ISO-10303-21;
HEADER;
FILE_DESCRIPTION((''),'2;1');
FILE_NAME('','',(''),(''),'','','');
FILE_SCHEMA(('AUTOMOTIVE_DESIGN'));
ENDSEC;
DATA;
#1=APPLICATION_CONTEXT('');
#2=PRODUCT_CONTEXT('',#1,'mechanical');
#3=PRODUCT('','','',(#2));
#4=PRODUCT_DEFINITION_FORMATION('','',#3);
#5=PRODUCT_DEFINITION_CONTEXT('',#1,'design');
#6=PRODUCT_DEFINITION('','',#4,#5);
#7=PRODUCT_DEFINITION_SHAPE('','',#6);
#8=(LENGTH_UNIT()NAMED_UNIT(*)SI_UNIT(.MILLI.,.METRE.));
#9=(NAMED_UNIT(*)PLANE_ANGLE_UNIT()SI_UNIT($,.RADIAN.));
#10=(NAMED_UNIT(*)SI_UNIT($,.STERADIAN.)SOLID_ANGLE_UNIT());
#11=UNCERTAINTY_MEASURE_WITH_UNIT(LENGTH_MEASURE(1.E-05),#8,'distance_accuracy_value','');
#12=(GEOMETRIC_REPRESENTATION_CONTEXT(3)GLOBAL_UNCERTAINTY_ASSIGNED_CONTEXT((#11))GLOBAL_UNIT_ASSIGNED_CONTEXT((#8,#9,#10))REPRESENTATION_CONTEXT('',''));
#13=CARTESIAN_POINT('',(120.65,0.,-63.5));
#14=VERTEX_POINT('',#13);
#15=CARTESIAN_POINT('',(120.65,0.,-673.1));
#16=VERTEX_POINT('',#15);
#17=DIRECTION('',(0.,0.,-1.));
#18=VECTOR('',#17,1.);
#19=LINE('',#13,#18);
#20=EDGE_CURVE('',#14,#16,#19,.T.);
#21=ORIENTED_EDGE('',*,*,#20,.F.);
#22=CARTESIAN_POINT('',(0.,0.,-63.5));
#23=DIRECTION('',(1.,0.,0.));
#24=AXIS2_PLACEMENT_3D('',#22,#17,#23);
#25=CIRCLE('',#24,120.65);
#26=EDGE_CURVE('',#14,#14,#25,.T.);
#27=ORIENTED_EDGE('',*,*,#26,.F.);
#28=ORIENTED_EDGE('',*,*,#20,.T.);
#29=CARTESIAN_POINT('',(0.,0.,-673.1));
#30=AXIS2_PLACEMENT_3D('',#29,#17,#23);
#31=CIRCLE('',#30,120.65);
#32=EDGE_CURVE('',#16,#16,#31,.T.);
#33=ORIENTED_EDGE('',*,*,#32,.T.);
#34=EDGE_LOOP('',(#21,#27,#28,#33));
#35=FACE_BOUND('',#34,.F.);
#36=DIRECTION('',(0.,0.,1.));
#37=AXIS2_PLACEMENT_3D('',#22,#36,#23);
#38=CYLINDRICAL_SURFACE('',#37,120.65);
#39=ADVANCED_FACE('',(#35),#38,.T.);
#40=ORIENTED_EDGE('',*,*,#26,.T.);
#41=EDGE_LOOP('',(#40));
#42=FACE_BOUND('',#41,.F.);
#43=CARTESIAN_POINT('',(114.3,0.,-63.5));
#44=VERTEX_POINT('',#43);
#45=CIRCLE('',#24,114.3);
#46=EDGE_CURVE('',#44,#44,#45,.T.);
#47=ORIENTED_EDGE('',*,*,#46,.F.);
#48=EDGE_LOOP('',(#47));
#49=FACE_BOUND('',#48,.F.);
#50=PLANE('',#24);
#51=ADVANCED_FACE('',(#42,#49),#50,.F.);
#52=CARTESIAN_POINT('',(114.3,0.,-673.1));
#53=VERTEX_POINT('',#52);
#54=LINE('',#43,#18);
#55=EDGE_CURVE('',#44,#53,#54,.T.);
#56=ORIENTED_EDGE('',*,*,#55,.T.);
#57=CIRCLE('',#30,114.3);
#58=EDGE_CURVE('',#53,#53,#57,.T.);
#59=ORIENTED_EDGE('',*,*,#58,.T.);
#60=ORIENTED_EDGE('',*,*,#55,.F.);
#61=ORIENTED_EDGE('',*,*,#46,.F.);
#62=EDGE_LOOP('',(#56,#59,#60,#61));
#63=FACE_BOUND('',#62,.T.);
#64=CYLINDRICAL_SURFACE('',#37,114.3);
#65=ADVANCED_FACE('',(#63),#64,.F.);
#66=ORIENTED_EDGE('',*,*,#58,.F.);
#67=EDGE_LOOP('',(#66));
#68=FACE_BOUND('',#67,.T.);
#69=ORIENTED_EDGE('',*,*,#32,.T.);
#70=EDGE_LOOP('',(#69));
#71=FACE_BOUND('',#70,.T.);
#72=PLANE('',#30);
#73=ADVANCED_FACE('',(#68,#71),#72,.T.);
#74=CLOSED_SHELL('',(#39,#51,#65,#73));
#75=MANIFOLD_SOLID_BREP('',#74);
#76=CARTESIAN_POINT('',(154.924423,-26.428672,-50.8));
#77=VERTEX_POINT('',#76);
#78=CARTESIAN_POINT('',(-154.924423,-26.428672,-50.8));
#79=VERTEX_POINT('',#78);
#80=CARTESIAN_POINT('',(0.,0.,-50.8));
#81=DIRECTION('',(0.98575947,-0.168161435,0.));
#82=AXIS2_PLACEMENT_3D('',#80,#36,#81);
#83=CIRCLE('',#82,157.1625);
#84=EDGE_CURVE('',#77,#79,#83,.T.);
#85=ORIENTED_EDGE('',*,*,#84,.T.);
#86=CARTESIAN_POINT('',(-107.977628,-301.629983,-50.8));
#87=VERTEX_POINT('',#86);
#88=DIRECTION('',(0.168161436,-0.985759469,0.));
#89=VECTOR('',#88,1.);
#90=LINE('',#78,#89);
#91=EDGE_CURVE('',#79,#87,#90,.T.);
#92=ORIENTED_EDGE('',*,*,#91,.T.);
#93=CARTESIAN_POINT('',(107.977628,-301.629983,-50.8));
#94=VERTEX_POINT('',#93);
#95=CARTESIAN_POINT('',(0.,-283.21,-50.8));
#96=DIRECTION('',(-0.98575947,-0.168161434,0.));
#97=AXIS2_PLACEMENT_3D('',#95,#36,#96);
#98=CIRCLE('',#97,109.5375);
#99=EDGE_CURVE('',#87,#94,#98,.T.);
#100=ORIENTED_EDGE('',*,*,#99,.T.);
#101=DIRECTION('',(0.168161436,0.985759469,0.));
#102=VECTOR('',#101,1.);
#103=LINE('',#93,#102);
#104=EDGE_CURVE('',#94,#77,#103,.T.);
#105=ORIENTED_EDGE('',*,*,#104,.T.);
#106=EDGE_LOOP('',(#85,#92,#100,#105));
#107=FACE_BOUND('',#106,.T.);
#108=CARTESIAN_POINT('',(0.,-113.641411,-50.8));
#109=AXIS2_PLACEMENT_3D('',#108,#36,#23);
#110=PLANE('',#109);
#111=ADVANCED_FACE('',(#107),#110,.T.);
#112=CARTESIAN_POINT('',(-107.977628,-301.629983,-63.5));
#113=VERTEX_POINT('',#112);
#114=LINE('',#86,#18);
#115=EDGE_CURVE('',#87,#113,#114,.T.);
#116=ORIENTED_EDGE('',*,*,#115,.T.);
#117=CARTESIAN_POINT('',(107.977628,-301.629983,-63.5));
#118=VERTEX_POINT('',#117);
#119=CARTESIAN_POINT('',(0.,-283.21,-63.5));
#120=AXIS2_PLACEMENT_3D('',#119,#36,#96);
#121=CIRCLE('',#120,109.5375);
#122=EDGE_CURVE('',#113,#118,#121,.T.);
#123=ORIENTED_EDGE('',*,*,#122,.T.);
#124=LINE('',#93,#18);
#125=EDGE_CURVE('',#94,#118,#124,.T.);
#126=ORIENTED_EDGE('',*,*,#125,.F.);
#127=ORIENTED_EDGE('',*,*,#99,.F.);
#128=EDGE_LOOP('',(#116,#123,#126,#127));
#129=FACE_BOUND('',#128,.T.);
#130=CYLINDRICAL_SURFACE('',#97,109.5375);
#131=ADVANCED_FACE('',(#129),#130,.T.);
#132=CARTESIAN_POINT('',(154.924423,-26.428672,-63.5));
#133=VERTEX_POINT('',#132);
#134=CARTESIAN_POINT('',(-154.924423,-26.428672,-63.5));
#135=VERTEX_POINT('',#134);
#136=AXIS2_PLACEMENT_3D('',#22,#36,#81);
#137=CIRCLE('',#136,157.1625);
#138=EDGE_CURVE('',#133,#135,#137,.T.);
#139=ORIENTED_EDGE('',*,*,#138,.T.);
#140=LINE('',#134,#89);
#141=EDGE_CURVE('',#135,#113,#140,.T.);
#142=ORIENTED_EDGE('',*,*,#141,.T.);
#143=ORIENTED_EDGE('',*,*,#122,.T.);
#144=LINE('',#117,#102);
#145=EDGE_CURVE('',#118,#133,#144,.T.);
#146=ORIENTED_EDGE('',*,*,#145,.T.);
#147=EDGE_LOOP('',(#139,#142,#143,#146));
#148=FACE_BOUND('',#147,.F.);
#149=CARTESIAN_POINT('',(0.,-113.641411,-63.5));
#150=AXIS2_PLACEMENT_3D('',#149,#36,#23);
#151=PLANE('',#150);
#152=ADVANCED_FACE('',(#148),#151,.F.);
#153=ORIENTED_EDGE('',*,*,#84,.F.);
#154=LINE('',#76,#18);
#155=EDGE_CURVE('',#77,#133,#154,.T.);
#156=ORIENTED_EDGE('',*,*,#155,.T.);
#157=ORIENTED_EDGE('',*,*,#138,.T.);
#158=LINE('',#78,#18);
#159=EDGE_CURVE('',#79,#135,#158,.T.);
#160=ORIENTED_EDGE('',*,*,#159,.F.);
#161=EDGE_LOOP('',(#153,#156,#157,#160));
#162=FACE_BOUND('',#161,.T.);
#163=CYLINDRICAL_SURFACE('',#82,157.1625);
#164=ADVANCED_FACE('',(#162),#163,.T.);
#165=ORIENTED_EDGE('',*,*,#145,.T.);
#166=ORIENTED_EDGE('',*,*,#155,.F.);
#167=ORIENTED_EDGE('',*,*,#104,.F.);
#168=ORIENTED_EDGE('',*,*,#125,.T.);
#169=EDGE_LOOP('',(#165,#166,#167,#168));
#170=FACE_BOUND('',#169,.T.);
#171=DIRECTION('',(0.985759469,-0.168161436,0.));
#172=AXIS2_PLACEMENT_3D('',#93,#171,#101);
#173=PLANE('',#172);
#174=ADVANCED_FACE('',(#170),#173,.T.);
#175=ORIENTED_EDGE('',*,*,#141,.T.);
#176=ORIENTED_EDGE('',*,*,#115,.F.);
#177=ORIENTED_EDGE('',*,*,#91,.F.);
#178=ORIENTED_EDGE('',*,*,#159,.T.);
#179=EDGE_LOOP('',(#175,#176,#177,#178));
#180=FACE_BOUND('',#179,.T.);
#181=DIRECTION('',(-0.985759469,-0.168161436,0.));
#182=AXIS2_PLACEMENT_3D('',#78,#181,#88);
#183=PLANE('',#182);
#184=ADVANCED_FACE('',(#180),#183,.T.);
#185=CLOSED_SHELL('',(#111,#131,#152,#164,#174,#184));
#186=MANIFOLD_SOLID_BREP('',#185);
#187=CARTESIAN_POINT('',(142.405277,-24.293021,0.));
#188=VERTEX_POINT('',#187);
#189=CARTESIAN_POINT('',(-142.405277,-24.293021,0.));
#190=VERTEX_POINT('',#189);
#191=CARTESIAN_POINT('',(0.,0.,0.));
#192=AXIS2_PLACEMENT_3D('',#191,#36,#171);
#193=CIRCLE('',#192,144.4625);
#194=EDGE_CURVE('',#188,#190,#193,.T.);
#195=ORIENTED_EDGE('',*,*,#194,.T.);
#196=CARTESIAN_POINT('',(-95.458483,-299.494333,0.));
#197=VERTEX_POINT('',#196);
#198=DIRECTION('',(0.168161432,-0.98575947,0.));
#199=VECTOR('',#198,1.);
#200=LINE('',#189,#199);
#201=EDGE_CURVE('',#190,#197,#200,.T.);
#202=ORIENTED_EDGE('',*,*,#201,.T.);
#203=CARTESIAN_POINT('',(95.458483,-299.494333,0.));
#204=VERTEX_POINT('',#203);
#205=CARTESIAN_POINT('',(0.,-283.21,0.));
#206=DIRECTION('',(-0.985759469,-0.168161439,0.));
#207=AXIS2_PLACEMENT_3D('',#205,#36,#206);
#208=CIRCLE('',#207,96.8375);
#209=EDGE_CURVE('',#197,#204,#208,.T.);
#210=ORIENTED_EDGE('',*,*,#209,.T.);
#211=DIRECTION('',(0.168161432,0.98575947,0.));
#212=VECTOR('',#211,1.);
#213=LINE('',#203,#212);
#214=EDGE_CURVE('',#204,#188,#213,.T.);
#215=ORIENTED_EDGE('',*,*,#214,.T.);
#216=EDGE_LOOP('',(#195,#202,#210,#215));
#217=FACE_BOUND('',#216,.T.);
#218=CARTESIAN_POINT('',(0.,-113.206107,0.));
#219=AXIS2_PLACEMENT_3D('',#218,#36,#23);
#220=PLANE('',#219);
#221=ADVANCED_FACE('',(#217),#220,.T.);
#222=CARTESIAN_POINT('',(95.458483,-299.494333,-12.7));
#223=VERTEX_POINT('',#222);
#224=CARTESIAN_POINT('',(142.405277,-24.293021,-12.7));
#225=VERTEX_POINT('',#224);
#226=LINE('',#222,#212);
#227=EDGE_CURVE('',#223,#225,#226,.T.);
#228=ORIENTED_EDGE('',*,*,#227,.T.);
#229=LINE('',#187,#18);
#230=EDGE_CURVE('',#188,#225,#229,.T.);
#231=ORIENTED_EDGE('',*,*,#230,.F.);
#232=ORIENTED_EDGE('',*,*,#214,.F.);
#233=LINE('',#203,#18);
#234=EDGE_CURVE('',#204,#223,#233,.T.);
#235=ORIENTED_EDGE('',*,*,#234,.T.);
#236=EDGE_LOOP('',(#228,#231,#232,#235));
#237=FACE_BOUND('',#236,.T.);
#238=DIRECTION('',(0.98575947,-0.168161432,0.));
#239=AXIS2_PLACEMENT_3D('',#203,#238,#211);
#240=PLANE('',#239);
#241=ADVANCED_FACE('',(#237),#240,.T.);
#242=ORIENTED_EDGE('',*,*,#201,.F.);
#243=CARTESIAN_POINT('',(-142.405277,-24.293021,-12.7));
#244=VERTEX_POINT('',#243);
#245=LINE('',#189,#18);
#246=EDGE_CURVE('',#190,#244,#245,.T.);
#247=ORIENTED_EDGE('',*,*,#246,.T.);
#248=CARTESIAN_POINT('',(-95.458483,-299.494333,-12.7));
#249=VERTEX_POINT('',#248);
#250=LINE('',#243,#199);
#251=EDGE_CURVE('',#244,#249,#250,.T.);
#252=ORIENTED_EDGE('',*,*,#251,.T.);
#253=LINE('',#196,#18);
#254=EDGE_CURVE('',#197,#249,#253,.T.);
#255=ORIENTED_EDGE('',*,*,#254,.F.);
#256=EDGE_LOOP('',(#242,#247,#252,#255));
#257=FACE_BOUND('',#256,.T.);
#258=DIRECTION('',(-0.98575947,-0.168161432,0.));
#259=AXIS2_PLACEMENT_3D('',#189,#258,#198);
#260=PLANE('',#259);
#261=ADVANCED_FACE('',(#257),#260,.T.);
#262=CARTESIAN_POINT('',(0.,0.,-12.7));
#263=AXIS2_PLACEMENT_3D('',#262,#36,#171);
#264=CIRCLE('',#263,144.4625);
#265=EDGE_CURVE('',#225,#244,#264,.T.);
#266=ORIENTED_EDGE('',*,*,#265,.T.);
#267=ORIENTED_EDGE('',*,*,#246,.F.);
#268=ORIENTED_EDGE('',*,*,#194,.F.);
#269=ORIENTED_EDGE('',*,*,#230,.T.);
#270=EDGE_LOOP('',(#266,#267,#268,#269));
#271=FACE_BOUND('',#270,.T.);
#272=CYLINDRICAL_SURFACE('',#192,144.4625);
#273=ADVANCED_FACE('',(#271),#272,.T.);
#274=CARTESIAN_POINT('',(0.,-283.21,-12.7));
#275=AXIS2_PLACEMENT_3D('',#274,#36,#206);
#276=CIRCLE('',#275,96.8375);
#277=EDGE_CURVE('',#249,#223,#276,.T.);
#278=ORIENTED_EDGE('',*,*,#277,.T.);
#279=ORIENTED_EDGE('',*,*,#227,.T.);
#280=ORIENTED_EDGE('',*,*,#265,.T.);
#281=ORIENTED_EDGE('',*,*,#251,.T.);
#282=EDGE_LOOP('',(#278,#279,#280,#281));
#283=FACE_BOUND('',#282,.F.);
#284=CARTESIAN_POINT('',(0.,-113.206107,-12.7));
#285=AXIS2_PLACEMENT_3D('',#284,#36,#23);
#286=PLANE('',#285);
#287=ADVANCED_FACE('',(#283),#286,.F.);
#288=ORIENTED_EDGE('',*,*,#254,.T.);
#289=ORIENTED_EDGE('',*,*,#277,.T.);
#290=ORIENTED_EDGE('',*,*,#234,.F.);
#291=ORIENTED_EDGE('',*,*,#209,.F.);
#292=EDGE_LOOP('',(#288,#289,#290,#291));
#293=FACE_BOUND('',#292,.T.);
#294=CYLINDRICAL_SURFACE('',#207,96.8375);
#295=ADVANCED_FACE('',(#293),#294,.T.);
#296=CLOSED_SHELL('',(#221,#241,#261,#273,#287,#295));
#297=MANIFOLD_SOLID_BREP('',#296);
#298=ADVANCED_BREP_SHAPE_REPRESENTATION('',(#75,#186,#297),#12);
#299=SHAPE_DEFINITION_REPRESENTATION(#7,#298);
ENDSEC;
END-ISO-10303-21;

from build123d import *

# Parameters (mm, degrees)
F3_DEPTH = 12.7
F4_DEPTH = 12.7
F5_R     = 120.65
F5_R_2   = 114.3
F6_DEPTH = 609.6


with BuildPart() as f3:
    # F0 (on Top) → F3 (new body)
    with BuildSketch(Plane.XY):
        with BuildLine():
            Line((95.458483, -299.494333), (142.405277, -24.293021))
            ThreePointArc((142.405277, -24.293021), (0, 144.4625), (-142.405277, -24.293021))
            Line((-142.405277, -24.293021), (-95.458483, -299.494333))
            ThreePointArc((-95.458483, -299.494333), (0, -380.0475), (95.458483, -299.494333))
        make_face()
    extrude(amount=-F3_DEPTH)


with BuildPart() as f4:
    # F2 (on offset) → F4 (new body)
    with BuildSketch(Plane.XY.offset(-50.8)):
        with BuildLine():
            ThreePointArc((154.924423, -26.428672), (0, 157.1625), (-154.924423, -26.428672))
            Line((-154.924423, -26.428672), (-107.977628, -301.629983))
            ThreePointArc((-107.977628, -301.629983), (0, -392.7475), (107.977628, -301.629983))
            Line((107.977628, -301.629983), (154.924423, -26.428672))
        make_face()
    extrude(amount=-F4_DEPTH)


with BuildPart() as f6:
    # F5 (on face) → F6 (new body)
    with BuildSketch(Plane(origin=(0, 0, -63.5), x_dir=(1, 0, 0), z_dir=(0, 0, -1))):
        Circle(F5_R)
        Circle(F5_R_2, mode=Mode.SUBTRACT)
    extrude(amount=F6_DEPTH)


solid = Compound([f3.part, f4.part, f6.part])
